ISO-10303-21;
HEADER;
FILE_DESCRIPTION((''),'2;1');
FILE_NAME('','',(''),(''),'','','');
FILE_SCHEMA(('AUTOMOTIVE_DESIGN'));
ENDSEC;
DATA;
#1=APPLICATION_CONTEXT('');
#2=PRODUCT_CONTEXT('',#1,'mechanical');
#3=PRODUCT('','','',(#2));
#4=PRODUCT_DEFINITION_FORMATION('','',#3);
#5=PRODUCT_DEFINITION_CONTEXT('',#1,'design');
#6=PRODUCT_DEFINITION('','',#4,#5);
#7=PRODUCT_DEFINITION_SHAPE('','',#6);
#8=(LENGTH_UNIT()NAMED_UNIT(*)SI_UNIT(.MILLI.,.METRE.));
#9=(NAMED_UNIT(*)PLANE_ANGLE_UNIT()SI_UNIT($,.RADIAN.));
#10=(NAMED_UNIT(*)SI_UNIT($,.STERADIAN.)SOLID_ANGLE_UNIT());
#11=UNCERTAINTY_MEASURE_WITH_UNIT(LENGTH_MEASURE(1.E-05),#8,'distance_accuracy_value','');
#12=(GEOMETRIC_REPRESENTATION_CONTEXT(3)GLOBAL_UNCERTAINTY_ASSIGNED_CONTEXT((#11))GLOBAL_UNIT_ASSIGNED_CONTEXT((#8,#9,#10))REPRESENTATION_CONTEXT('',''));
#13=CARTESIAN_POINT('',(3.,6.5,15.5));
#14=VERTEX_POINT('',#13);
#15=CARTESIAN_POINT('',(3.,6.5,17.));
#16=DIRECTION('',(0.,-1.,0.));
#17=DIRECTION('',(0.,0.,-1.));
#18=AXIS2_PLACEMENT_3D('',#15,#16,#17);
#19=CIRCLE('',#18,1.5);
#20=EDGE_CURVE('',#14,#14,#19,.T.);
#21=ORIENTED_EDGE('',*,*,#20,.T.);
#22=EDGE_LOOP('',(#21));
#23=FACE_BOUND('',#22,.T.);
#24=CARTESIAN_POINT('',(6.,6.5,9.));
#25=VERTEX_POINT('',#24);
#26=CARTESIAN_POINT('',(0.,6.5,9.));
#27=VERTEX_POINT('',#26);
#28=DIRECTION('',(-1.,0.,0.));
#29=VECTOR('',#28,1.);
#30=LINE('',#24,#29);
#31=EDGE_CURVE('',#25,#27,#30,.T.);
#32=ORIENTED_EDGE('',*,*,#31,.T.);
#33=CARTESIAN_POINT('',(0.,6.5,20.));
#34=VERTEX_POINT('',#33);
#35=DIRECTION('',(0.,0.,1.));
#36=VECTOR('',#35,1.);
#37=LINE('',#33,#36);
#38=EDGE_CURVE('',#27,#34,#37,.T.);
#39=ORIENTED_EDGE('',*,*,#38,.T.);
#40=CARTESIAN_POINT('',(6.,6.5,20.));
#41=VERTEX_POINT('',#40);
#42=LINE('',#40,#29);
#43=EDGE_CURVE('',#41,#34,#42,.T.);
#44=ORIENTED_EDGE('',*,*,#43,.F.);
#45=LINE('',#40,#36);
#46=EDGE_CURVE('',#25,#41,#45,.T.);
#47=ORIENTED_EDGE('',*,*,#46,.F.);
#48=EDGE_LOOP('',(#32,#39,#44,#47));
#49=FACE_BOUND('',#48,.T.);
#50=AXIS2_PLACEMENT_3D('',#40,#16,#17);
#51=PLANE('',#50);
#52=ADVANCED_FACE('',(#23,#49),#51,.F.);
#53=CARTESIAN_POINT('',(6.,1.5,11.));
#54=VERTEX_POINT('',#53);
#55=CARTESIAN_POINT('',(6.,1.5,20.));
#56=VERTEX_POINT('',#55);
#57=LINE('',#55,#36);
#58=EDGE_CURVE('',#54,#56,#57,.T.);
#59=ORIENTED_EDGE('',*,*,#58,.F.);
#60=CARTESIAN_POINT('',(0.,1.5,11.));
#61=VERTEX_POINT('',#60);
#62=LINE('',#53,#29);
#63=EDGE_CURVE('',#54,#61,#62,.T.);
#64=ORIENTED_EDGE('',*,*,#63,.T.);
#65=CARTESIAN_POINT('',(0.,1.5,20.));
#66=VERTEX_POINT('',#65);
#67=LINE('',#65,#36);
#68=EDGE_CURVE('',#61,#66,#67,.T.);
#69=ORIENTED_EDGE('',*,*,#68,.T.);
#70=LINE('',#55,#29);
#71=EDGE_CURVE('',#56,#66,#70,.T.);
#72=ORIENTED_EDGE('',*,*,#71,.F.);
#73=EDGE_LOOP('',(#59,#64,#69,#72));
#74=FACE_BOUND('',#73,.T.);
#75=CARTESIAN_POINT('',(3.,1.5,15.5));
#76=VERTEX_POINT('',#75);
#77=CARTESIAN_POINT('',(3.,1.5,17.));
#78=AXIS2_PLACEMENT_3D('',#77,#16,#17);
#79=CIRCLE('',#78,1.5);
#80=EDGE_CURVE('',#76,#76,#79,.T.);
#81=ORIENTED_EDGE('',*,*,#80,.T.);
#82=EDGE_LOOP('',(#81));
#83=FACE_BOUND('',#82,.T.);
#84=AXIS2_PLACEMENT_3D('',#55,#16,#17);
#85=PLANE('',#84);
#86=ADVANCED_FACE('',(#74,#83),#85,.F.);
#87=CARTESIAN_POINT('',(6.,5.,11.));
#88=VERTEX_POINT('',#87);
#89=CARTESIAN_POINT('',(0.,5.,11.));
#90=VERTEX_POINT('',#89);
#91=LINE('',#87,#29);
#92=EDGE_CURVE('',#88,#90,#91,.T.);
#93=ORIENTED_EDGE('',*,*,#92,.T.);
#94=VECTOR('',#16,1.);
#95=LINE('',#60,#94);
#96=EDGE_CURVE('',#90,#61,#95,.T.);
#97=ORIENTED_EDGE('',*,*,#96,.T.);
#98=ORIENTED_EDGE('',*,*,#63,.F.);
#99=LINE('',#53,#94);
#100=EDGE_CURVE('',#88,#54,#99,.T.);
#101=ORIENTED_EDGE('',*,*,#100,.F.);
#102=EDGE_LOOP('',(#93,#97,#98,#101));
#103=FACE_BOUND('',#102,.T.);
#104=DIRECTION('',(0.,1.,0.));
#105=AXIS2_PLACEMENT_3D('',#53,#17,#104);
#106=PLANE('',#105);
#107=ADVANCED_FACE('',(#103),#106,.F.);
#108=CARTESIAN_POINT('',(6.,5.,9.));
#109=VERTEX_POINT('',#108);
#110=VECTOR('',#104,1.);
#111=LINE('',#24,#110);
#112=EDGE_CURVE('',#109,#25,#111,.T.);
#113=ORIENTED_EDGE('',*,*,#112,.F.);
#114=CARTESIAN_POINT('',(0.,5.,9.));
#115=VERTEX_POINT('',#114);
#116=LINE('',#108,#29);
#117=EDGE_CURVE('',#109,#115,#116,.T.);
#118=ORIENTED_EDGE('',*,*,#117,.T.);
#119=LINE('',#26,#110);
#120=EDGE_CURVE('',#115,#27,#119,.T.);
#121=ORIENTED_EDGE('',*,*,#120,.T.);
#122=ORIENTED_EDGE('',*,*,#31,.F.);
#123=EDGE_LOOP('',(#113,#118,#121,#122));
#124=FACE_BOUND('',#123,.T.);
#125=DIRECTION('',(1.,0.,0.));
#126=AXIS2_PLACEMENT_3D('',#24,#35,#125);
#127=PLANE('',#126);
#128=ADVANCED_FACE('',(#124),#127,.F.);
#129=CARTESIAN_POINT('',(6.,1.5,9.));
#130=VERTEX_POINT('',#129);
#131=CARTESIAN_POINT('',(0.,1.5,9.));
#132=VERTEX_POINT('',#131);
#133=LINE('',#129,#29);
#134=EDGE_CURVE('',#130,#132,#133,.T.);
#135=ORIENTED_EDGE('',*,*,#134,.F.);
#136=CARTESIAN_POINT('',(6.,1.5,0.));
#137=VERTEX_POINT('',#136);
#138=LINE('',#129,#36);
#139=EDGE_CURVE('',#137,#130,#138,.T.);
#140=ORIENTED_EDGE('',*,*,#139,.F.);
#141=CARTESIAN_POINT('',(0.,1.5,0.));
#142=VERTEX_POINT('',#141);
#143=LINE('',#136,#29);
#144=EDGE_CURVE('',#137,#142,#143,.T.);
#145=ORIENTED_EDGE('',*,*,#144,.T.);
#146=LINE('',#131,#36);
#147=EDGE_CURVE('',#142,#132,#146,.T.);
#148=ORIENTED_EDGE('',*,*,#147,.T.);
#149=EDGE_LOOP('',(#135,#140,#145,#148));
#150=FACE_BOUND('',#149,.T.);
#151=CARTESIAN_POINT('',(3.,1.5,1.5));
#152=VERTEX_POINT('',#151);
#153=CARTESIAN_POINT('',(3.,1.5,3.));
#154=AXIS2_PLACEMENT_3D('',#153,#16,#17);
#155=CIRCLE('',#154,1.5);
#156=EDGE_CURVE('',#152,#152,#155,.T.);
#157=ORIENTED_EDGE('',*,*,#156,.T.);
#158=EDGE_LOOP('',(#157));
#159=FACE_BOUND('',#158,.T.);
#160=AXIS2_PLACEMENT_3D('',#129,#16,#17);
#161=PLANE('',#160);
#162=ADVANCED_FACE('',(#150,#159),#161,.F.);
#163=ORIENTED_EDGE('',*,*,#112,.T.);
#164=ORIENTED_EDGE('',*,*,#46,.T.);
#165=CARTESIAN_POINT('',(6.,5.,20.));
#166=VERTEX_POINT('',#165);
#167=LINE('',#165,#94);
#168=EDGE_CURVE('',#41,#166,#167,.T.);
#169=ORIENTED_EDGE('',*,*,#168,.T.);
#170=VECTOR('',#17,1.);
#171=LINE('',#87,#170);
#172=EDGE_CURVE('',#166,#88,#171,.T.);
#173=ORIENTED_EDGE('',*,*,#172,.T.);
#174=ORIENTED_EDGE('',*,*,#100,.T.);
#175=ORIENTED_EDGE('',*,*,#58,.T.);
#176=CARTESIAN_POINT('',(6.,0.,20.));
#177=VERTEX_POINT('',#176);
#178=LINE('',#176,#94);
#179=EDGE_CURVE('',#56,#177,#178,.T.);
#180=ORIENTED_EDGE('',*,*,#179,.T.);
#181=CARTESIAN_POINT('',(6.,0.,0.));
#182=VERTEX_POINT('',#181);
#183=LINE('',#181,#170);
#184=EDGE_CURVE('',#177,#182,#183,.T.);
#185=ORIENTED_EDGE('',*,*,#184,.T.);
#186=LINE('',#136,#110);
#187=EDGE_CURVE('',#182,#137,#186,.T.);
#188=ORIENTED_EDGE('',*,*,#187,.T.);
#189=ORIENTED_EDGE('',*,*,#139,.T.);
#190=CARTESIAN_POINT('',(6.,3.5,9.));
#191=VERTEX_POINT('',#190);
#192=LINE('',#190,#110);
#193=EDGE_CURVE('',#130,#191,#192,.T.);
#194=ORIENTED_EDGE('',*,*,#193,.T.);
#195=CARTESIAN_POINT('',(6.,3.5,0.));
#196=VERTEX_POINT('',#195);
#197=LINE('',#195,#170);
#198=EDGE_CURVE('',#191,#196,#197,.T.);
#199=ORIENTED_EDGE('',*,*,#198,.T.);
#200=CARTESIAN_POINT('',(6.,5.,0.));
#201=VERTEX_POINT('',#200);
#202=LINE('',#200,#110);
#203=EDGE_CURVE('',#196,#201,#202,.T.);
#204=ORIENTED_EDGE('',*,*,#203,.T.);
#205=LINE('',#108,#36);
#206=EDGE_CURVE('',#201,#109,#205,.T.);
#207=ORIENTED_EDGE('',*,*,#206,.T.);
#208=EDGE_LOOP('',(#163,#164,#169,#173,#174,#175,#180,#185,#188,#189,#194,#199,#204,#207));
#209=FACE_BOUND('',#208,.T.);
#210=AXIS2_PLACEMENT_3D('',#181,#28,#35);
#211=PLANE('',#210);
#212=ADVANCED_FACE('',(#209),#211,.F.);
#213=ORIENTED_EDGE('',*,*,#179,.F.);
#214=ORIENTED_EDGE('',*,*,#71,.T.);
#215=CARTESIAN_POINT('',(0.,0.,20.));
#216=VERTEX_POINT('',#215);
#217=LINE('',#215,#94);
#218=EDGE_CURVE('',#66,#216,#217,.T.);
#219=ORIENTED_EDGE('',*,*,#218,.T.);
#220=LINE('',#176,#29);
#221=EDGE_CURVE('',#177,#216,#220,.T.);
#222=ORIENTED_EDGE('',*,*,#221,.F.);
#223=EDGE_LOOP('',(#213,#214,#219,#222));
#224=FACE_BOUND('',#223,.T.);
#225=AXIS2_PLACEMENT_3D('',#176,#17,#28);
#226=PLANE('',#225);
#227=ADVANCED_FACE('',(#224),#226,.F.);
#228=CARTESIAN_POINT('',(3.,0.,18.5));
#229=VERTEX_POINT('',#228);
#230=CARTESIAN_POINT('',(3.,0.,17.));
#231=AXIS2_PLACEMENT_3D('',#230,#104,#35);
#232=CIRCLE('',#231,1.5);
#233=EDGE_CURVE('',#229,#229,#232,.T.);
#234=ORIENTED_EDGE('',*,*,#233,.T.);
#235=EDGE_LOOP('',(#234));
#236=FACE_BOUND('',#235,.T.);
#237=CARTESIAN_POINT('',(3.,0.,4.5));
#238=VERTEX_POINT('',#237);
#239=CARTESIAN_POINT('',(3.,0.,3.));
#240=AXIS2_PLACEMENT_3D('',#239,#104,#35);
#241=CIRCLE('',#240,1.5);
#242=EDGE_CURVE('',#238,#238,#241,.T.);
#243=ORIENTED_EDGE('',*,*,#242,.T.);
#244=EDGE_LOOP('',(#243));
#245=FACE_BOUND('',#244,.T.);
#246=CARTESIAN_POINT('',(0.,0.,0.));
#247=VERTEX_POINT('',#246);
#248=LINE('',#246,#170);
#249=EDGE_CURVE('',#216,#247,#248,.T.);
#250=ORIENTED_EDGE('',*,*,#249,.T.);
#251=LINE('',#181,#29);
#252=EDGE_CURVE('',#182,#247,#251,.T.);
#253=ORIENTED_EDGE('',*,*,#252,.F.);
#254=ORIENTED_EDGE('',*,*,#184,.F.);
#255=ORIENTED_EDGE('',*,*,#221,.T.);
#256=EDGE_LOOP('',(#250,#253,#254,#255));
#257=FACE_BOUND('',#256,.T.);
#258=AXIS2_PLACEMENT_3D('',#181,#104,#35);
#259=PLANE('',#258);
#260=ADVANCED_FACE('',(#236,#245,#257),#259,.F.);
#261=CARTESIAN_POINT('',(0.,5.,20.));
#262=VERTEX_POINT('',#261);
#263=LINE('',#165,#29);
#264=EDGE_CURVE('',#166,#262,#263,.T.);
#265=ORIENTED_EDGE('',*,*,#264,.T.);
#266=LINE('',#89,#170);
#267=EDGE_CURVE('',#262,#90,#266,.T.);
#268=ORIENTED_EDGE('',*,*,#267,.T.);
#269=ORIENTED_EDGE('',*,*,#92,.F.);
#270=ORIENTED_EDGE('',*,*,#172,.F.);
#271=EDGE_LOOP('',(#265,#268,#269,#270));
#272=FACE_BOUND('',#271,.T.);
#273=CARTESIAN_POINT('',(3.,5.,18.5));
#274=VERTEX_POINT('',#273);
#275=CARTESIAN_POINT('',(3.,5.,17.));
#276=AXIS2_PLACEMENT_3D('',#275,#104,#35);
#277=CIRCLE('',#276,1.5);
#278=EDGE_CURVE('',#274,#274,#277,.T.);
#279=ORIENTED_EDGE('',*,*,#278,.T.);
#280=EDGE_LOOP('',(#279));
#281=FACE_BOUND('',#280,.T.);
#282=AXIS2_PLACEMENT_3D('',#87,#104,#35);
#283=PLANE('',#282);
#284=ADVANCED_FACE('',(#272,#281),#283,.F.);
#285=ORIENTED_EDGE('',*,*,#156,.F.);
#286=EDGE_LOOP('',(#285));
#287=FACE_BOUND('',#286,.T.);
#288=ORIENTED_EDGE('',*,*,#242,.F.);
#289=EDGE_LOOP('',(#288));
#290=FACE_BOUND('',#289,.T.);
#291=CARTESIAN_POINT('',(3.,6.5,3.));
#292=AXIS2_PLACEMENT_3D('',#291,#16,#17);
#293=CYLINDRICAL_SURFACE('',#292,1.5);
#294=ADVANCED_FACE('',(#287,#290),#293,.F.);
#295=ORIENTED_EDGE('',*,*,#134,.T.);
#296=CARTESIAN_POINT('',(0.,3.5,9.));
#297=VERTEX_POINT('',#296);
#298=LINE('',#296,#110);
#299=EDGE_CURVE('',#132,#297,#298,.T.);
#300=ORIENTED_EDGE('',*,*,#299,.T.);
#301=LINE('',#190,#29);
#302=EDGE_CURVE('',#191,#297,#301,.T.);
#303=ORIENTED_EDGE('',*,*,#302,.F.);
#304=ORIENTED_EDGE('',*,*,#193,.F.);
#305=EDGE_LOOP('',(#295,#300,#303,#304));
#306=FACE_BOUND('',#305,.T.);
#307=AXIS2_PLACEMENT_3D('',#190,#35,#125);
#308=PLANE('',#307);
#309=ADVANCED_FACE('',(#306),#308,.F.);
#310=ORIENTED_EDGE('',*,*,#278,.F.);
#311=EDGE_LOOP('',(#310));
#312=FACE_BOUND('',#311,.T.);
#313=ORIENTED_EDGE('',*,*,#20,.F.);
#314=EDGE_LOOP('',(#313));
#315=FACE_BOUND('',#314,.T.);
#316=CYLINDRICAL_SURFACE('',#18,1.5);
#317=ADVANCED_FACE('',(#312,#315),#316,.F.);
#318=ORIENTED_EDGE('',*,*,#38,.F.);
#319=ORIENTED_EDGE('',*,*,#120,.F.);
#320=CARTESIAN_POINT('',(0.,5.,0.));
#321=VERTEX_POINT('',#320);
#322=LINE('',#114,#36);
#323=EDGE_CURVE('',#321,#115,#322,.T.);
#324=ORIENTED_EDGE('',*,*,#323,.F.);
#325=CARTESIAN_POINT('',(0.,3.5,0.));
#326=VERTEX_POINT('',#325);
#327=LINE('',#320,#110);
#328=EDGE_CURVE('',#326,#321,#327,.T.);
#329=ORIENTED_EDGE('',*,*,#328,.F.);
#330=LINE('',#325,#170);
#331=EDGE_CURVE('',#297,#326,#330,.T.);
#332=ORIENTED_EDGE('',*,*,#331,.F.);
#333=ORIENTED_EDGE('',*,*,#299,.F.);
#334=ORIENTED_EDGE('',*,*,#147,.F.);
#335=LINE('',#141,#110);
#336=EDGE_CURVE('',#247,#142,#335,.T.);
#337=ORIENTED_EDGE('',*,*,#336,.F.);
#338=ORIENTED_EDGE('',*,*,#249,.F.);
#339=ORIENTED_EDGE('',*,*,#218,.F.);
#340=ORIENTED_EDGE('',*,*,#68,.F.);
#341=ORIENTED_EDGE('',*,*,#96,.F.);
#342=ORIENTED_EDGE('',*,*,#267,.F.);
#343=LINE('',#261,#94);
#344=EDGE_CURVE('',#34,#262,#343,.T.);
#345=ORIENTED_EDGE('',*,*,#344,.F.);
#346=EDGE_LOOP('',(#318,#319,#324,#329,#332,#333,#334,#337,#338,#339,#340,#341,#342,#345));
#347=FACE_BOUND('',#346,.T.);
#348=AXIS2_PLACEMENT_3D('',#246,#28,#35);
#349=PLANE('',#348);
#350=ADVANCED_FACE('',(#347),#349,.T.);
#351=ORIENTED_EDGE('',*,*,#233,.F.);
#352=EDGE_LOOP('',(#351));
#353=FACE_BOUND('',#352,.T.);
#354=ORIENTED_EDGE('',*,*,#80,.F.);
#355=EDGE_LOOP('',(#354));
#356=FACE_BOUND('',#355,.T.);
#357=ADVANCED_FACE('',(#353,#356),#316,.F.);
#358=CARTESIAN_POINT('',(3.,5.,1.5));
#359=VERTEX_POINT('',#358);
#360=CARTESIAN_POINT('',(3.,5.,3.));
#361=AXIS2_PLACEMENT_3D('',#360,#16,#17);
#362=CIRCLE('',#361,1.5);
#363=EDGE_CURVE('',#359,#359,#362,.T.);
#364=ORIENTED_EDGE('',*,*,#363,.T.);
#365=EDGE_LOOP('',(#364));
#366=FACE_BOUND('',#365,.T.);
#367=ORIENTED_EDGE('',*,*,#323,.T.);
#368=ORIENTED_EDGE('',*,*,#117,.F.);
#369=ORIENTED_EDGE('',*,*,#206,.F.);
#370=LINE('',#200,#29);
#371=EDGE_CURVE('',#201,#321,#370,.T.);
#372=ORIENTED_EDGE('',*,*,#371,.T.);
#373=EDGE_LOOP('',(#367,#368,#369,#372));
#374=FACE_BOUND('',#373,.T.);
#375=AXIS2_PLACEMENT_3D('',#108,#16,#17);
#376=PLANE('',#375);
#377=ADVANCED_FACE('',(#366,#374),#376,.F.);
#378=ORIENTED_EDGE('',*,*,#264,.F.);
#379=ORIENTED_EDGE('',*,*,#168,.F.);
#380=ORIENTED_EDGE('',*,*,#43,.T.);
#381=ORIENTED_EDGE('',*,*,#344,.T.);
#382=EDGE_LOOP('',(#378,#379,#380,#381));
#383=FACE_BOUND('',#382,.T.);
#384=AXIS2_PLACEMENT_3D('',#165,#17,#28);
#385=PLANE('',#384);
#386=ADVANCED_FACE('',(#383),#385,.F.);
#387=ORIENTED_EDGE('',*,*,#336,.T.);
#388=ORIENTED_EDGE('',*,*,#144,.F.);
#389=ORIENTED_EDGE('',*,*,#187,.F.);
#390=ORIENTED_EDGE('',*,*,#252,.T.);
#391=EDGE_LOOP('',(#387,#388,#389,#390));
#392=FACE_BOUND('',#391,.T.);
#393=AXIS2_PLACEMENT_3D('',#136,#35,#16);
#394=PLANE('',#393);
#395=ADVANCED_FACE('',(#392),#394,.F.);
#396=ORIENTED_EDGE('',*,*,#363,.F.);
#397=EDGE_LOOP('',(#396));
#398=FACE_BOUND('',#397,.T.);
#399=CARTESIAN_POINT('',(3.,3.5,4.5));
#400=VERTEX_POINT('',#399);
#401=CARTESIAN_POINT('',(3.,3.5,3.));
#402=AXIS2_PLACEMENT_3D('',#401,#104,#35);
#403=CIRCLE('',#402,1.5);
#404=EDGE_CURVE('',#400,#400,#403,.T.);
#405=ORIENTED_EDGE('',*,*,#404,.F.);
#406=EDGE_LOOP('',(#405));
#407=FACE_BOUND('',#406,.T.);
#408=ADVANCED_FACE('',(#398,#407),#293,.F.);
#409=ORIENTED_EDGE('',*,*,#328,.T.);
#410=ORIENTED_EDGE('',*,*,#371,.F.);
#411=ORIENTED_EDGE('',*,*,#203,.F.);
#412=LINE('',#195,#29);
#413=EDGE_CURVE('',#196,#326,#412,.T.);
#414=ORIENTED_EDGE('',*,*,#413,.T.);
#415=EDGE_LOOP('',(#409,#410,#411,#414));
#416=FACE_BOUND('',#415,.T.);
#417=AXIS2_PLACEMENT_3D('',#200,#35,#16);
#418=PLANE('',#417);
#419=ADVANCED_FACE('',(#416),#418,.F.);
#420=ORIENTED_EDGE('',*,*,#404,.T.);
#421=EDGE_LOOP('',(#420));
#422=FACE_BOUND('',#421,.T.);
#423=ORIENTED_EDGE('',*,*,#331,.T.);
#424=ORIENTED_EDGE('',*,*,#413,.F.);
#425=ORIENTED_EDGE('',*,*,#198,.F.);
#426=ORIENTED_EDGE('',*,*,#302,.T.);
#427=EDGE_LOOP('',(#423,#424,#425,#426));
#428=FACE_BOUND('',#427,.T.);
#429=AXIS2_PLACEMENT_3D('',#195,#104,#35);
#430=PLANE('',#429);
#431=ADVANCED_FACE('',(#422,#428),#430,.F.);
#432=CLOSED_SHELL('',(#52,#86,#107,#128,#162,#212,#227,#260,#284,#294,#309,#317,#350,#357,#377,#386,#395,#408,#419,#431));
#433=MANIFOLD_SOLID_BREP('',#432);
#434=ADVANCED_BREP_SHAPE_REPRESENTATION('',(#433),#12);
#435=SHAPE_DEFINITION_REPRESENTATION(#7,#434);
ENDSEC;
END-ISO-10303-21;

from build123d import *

# Parameters (mm, degrees)
BOSS_EXTRUDE1_DEPTH     = 6
SKETCH2_R               = 1.5
CUT_EXTRUDE1_DEPTH      = 1
CUT_EXTRUDE1_DEPTH_BACK = 7.5


with BuildPart() as part:
    # Sketch1 → Boss-Extrude1 (new body)
    with BuildSketch(Plane(origin=(0, 0, 0), x_dir=(0, 0, -1), z_dir=(1, 0, 0))):
        Polygon((0, 0), (-20, 0), (-20, 1.5), (-11, 1.5), (-11, 5), (-20, 5), (-20, 6.5), (-9, 6.5), (-9, 5), (0, 5), (0, 3.5), (-9, 3.5), (-9, 1.5), (0, 1.5), align=None)
    extrude(amount=BOSS_EXTRUDE1_DEPTH)

    # Sketch2 → Cut-Extrude1 (cut, two sides)
    with BuildSketch(Plane.XZ) as cut_extrude1_sk:
        with Locations((3, 3)):
            Circle(SKETCH2_R)
        with Locations((3, 17)):
            Circle(SKETCH2_R)
    extrude(amount=CUT_EXTRUDE1_DEPTH, mode=Mode.SUBTRACT)
    extrude(cut_extrude1_sk.sketch, amount=-CUT_EXTRUDE1_DEPTH_BACK, mode=Mode.SUBTRACT)


solid = part.part
